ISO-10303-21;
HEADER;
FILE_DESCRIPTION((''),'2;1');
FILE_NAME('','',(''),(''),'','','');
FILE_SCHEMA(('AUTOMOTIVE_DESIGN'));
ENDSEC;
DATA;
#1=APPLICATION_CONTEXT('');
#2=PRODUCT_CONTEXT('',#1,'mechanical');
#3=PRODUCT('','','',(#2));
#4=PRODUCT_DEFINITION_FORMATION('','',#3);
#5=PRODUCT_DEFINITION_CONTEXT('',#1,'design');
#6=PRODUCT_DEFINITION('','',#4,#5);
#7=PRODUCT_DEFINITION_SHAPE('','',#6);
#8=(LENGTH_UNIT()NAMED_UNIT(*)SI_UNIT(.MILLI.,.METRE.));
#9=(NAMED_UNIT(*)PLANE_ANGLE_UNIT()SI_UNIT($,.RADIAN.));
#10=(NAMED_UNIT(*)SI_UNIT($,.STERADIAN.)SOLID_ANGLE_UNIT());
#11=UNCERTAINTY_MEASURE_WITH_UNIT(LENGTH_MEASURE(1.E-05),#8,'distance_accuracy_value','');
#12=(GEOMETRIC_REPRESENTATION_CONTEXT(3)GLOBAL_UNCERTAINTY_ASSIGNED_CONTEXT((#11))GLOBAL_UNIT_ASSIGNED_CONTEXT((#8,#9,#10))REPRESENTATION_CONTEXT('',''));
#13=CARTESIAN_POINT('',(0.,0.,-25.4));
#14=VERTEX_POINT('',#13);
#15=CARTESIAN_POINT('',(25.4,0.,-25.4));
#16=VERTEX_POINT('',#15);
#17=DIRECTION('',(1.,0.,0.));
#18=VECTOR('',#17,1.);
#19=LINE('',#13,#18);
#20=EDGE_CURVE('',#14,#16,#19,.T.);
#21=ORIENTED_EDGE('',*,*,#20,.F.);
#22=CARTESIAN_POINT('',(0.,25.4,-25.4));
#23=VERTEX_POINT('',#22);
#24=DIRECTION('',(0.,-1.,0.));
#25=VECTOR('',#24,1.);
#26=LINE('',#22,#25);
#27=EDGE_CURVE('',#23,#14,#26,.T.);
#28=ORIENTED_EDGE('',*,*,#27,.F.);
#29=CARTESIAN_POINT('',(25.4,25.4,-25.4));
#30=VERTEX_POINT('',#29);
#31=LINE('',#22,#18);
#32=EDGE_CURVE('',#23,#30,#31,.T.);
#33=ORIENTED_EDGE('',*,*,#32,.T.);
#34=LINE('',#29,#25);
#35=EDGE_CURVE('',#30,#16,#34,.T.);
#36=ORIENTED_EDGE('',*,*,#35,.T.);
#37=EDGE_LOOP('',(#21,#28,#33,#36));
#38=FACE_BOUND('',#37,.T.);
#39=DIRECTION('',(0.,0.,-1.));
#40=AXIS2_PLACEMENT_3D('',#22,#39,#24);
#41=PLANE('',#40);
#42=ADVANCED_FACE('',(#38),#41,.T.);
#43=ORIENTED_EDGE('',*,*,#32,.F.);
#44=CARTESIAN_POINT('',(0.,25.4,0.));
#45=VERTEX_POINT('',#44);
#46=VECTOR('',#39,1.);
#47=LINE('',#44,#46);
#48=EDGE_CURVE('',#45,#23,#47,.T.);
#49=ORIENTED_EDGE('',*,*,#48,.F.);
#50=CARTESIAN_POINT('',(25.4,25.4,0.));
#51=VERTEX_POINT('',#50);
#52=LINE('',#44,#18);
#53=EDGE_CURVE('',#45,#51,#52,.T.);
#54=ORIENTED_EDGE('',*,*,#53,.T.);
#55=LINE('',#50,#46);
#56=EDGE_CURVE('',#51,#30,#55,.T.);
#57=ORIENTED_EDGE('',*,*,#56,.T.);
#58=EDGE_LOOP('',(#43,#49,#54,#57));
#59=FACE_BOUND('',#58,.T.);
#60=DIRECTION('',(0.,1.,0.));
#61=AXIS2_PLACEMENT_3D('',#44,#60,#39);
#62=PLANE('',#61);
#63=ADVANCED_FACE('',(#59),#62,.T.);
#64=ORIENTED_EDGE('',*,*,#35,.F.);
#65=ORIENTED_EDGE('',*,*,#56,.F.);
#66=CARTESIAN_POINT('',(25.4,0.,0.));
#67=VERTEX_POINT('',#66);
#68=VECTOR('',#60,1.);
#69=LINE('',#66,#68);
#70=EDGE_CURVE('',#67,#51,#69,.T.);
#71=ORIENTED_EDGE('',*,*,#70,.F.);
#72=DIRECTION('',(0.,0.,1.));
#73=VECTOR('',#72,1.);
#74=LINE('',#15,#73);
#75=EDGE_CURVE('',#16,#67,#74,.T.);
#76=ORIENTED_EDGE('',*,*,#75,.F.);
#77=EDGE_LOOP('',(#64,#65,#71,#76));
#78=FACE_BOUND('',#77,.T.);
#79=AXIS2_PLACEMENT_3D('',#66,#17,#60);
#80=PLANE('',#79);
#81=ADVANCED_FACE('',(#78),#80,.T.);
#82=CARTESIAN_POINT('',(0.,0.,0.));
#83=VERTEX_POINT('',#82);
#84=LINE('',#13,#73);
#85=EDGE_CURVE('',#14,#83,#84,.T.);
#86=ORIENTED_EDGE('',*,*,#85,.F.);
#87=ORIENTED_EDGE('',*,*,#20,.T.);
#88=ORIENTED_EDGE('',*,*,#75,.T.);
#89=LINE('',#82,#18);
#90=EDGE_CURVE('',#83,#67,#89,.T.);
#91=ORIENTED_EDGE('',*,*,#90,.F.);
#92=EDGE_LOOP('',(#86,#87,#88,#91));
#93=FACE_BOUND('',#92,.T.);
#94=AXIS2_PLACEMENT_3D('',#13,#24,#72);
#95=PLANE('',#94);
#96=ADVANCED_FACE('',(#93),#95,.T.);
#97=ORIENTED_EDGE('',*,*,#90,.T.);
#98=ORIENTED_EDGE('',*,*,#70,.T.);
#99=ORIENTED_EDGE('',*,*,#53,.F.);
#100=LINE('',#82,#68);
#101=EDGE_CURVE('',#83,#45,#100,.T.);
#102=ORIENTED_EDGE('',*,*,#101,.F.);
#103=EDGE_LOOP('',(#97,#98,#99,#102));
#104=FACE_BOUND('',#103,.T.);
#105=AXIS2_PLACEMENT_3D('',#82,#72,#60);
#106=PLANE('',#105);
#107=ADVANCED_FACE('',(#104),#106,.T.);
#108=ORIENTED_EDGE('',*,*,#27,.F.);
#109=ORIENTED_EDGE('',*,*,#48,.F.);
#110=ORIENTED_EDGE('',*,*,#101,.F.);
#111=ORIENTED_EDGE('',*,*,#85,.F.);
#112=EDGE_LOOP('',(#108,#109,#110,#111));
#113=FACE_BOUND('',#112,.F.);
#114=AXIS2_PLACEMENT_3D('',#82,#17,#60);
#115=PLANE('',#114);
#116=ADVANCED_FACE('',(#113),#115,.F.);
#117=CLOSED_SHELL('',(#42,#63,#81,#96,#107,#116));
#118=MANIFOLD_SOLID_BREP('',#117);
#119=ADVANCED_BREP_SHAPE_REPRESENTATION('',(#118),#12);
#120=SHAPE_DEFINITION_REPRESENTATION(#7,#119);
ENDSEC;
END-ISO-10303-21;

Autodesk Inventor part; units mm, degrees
ref_plane "YZ Plane" through (0, 0, 0) normal (1, 0, 0) x (0, 1, 0)
ref_plane "XZ Plane" through (0, 0, 0) normal (0, 1, 0) x (-1, 0, 0)
ref_plane "XY Plane" through (0, 0, 0) normal (0, 0, 1) x (1, 0, 0)
sketch "Sketch1" plane through (0, 0, 0) normal (1, 0, 0) x (0, 1, 0)
  line L0 (0, 0) -> (25.4, 0)
  line L1 (25.4, 0) -> (25.4, -25.4)
  line L2 (25.4, -25.4) -> (0, -25.4)
  line L3 (0, -25.4) -> (0, 0)
  dimension "d0" = 25.4
  dimension "d1" = 25.4
extrude "Extrusion1" add sketch "Sketch1" along normal blind 25.4
